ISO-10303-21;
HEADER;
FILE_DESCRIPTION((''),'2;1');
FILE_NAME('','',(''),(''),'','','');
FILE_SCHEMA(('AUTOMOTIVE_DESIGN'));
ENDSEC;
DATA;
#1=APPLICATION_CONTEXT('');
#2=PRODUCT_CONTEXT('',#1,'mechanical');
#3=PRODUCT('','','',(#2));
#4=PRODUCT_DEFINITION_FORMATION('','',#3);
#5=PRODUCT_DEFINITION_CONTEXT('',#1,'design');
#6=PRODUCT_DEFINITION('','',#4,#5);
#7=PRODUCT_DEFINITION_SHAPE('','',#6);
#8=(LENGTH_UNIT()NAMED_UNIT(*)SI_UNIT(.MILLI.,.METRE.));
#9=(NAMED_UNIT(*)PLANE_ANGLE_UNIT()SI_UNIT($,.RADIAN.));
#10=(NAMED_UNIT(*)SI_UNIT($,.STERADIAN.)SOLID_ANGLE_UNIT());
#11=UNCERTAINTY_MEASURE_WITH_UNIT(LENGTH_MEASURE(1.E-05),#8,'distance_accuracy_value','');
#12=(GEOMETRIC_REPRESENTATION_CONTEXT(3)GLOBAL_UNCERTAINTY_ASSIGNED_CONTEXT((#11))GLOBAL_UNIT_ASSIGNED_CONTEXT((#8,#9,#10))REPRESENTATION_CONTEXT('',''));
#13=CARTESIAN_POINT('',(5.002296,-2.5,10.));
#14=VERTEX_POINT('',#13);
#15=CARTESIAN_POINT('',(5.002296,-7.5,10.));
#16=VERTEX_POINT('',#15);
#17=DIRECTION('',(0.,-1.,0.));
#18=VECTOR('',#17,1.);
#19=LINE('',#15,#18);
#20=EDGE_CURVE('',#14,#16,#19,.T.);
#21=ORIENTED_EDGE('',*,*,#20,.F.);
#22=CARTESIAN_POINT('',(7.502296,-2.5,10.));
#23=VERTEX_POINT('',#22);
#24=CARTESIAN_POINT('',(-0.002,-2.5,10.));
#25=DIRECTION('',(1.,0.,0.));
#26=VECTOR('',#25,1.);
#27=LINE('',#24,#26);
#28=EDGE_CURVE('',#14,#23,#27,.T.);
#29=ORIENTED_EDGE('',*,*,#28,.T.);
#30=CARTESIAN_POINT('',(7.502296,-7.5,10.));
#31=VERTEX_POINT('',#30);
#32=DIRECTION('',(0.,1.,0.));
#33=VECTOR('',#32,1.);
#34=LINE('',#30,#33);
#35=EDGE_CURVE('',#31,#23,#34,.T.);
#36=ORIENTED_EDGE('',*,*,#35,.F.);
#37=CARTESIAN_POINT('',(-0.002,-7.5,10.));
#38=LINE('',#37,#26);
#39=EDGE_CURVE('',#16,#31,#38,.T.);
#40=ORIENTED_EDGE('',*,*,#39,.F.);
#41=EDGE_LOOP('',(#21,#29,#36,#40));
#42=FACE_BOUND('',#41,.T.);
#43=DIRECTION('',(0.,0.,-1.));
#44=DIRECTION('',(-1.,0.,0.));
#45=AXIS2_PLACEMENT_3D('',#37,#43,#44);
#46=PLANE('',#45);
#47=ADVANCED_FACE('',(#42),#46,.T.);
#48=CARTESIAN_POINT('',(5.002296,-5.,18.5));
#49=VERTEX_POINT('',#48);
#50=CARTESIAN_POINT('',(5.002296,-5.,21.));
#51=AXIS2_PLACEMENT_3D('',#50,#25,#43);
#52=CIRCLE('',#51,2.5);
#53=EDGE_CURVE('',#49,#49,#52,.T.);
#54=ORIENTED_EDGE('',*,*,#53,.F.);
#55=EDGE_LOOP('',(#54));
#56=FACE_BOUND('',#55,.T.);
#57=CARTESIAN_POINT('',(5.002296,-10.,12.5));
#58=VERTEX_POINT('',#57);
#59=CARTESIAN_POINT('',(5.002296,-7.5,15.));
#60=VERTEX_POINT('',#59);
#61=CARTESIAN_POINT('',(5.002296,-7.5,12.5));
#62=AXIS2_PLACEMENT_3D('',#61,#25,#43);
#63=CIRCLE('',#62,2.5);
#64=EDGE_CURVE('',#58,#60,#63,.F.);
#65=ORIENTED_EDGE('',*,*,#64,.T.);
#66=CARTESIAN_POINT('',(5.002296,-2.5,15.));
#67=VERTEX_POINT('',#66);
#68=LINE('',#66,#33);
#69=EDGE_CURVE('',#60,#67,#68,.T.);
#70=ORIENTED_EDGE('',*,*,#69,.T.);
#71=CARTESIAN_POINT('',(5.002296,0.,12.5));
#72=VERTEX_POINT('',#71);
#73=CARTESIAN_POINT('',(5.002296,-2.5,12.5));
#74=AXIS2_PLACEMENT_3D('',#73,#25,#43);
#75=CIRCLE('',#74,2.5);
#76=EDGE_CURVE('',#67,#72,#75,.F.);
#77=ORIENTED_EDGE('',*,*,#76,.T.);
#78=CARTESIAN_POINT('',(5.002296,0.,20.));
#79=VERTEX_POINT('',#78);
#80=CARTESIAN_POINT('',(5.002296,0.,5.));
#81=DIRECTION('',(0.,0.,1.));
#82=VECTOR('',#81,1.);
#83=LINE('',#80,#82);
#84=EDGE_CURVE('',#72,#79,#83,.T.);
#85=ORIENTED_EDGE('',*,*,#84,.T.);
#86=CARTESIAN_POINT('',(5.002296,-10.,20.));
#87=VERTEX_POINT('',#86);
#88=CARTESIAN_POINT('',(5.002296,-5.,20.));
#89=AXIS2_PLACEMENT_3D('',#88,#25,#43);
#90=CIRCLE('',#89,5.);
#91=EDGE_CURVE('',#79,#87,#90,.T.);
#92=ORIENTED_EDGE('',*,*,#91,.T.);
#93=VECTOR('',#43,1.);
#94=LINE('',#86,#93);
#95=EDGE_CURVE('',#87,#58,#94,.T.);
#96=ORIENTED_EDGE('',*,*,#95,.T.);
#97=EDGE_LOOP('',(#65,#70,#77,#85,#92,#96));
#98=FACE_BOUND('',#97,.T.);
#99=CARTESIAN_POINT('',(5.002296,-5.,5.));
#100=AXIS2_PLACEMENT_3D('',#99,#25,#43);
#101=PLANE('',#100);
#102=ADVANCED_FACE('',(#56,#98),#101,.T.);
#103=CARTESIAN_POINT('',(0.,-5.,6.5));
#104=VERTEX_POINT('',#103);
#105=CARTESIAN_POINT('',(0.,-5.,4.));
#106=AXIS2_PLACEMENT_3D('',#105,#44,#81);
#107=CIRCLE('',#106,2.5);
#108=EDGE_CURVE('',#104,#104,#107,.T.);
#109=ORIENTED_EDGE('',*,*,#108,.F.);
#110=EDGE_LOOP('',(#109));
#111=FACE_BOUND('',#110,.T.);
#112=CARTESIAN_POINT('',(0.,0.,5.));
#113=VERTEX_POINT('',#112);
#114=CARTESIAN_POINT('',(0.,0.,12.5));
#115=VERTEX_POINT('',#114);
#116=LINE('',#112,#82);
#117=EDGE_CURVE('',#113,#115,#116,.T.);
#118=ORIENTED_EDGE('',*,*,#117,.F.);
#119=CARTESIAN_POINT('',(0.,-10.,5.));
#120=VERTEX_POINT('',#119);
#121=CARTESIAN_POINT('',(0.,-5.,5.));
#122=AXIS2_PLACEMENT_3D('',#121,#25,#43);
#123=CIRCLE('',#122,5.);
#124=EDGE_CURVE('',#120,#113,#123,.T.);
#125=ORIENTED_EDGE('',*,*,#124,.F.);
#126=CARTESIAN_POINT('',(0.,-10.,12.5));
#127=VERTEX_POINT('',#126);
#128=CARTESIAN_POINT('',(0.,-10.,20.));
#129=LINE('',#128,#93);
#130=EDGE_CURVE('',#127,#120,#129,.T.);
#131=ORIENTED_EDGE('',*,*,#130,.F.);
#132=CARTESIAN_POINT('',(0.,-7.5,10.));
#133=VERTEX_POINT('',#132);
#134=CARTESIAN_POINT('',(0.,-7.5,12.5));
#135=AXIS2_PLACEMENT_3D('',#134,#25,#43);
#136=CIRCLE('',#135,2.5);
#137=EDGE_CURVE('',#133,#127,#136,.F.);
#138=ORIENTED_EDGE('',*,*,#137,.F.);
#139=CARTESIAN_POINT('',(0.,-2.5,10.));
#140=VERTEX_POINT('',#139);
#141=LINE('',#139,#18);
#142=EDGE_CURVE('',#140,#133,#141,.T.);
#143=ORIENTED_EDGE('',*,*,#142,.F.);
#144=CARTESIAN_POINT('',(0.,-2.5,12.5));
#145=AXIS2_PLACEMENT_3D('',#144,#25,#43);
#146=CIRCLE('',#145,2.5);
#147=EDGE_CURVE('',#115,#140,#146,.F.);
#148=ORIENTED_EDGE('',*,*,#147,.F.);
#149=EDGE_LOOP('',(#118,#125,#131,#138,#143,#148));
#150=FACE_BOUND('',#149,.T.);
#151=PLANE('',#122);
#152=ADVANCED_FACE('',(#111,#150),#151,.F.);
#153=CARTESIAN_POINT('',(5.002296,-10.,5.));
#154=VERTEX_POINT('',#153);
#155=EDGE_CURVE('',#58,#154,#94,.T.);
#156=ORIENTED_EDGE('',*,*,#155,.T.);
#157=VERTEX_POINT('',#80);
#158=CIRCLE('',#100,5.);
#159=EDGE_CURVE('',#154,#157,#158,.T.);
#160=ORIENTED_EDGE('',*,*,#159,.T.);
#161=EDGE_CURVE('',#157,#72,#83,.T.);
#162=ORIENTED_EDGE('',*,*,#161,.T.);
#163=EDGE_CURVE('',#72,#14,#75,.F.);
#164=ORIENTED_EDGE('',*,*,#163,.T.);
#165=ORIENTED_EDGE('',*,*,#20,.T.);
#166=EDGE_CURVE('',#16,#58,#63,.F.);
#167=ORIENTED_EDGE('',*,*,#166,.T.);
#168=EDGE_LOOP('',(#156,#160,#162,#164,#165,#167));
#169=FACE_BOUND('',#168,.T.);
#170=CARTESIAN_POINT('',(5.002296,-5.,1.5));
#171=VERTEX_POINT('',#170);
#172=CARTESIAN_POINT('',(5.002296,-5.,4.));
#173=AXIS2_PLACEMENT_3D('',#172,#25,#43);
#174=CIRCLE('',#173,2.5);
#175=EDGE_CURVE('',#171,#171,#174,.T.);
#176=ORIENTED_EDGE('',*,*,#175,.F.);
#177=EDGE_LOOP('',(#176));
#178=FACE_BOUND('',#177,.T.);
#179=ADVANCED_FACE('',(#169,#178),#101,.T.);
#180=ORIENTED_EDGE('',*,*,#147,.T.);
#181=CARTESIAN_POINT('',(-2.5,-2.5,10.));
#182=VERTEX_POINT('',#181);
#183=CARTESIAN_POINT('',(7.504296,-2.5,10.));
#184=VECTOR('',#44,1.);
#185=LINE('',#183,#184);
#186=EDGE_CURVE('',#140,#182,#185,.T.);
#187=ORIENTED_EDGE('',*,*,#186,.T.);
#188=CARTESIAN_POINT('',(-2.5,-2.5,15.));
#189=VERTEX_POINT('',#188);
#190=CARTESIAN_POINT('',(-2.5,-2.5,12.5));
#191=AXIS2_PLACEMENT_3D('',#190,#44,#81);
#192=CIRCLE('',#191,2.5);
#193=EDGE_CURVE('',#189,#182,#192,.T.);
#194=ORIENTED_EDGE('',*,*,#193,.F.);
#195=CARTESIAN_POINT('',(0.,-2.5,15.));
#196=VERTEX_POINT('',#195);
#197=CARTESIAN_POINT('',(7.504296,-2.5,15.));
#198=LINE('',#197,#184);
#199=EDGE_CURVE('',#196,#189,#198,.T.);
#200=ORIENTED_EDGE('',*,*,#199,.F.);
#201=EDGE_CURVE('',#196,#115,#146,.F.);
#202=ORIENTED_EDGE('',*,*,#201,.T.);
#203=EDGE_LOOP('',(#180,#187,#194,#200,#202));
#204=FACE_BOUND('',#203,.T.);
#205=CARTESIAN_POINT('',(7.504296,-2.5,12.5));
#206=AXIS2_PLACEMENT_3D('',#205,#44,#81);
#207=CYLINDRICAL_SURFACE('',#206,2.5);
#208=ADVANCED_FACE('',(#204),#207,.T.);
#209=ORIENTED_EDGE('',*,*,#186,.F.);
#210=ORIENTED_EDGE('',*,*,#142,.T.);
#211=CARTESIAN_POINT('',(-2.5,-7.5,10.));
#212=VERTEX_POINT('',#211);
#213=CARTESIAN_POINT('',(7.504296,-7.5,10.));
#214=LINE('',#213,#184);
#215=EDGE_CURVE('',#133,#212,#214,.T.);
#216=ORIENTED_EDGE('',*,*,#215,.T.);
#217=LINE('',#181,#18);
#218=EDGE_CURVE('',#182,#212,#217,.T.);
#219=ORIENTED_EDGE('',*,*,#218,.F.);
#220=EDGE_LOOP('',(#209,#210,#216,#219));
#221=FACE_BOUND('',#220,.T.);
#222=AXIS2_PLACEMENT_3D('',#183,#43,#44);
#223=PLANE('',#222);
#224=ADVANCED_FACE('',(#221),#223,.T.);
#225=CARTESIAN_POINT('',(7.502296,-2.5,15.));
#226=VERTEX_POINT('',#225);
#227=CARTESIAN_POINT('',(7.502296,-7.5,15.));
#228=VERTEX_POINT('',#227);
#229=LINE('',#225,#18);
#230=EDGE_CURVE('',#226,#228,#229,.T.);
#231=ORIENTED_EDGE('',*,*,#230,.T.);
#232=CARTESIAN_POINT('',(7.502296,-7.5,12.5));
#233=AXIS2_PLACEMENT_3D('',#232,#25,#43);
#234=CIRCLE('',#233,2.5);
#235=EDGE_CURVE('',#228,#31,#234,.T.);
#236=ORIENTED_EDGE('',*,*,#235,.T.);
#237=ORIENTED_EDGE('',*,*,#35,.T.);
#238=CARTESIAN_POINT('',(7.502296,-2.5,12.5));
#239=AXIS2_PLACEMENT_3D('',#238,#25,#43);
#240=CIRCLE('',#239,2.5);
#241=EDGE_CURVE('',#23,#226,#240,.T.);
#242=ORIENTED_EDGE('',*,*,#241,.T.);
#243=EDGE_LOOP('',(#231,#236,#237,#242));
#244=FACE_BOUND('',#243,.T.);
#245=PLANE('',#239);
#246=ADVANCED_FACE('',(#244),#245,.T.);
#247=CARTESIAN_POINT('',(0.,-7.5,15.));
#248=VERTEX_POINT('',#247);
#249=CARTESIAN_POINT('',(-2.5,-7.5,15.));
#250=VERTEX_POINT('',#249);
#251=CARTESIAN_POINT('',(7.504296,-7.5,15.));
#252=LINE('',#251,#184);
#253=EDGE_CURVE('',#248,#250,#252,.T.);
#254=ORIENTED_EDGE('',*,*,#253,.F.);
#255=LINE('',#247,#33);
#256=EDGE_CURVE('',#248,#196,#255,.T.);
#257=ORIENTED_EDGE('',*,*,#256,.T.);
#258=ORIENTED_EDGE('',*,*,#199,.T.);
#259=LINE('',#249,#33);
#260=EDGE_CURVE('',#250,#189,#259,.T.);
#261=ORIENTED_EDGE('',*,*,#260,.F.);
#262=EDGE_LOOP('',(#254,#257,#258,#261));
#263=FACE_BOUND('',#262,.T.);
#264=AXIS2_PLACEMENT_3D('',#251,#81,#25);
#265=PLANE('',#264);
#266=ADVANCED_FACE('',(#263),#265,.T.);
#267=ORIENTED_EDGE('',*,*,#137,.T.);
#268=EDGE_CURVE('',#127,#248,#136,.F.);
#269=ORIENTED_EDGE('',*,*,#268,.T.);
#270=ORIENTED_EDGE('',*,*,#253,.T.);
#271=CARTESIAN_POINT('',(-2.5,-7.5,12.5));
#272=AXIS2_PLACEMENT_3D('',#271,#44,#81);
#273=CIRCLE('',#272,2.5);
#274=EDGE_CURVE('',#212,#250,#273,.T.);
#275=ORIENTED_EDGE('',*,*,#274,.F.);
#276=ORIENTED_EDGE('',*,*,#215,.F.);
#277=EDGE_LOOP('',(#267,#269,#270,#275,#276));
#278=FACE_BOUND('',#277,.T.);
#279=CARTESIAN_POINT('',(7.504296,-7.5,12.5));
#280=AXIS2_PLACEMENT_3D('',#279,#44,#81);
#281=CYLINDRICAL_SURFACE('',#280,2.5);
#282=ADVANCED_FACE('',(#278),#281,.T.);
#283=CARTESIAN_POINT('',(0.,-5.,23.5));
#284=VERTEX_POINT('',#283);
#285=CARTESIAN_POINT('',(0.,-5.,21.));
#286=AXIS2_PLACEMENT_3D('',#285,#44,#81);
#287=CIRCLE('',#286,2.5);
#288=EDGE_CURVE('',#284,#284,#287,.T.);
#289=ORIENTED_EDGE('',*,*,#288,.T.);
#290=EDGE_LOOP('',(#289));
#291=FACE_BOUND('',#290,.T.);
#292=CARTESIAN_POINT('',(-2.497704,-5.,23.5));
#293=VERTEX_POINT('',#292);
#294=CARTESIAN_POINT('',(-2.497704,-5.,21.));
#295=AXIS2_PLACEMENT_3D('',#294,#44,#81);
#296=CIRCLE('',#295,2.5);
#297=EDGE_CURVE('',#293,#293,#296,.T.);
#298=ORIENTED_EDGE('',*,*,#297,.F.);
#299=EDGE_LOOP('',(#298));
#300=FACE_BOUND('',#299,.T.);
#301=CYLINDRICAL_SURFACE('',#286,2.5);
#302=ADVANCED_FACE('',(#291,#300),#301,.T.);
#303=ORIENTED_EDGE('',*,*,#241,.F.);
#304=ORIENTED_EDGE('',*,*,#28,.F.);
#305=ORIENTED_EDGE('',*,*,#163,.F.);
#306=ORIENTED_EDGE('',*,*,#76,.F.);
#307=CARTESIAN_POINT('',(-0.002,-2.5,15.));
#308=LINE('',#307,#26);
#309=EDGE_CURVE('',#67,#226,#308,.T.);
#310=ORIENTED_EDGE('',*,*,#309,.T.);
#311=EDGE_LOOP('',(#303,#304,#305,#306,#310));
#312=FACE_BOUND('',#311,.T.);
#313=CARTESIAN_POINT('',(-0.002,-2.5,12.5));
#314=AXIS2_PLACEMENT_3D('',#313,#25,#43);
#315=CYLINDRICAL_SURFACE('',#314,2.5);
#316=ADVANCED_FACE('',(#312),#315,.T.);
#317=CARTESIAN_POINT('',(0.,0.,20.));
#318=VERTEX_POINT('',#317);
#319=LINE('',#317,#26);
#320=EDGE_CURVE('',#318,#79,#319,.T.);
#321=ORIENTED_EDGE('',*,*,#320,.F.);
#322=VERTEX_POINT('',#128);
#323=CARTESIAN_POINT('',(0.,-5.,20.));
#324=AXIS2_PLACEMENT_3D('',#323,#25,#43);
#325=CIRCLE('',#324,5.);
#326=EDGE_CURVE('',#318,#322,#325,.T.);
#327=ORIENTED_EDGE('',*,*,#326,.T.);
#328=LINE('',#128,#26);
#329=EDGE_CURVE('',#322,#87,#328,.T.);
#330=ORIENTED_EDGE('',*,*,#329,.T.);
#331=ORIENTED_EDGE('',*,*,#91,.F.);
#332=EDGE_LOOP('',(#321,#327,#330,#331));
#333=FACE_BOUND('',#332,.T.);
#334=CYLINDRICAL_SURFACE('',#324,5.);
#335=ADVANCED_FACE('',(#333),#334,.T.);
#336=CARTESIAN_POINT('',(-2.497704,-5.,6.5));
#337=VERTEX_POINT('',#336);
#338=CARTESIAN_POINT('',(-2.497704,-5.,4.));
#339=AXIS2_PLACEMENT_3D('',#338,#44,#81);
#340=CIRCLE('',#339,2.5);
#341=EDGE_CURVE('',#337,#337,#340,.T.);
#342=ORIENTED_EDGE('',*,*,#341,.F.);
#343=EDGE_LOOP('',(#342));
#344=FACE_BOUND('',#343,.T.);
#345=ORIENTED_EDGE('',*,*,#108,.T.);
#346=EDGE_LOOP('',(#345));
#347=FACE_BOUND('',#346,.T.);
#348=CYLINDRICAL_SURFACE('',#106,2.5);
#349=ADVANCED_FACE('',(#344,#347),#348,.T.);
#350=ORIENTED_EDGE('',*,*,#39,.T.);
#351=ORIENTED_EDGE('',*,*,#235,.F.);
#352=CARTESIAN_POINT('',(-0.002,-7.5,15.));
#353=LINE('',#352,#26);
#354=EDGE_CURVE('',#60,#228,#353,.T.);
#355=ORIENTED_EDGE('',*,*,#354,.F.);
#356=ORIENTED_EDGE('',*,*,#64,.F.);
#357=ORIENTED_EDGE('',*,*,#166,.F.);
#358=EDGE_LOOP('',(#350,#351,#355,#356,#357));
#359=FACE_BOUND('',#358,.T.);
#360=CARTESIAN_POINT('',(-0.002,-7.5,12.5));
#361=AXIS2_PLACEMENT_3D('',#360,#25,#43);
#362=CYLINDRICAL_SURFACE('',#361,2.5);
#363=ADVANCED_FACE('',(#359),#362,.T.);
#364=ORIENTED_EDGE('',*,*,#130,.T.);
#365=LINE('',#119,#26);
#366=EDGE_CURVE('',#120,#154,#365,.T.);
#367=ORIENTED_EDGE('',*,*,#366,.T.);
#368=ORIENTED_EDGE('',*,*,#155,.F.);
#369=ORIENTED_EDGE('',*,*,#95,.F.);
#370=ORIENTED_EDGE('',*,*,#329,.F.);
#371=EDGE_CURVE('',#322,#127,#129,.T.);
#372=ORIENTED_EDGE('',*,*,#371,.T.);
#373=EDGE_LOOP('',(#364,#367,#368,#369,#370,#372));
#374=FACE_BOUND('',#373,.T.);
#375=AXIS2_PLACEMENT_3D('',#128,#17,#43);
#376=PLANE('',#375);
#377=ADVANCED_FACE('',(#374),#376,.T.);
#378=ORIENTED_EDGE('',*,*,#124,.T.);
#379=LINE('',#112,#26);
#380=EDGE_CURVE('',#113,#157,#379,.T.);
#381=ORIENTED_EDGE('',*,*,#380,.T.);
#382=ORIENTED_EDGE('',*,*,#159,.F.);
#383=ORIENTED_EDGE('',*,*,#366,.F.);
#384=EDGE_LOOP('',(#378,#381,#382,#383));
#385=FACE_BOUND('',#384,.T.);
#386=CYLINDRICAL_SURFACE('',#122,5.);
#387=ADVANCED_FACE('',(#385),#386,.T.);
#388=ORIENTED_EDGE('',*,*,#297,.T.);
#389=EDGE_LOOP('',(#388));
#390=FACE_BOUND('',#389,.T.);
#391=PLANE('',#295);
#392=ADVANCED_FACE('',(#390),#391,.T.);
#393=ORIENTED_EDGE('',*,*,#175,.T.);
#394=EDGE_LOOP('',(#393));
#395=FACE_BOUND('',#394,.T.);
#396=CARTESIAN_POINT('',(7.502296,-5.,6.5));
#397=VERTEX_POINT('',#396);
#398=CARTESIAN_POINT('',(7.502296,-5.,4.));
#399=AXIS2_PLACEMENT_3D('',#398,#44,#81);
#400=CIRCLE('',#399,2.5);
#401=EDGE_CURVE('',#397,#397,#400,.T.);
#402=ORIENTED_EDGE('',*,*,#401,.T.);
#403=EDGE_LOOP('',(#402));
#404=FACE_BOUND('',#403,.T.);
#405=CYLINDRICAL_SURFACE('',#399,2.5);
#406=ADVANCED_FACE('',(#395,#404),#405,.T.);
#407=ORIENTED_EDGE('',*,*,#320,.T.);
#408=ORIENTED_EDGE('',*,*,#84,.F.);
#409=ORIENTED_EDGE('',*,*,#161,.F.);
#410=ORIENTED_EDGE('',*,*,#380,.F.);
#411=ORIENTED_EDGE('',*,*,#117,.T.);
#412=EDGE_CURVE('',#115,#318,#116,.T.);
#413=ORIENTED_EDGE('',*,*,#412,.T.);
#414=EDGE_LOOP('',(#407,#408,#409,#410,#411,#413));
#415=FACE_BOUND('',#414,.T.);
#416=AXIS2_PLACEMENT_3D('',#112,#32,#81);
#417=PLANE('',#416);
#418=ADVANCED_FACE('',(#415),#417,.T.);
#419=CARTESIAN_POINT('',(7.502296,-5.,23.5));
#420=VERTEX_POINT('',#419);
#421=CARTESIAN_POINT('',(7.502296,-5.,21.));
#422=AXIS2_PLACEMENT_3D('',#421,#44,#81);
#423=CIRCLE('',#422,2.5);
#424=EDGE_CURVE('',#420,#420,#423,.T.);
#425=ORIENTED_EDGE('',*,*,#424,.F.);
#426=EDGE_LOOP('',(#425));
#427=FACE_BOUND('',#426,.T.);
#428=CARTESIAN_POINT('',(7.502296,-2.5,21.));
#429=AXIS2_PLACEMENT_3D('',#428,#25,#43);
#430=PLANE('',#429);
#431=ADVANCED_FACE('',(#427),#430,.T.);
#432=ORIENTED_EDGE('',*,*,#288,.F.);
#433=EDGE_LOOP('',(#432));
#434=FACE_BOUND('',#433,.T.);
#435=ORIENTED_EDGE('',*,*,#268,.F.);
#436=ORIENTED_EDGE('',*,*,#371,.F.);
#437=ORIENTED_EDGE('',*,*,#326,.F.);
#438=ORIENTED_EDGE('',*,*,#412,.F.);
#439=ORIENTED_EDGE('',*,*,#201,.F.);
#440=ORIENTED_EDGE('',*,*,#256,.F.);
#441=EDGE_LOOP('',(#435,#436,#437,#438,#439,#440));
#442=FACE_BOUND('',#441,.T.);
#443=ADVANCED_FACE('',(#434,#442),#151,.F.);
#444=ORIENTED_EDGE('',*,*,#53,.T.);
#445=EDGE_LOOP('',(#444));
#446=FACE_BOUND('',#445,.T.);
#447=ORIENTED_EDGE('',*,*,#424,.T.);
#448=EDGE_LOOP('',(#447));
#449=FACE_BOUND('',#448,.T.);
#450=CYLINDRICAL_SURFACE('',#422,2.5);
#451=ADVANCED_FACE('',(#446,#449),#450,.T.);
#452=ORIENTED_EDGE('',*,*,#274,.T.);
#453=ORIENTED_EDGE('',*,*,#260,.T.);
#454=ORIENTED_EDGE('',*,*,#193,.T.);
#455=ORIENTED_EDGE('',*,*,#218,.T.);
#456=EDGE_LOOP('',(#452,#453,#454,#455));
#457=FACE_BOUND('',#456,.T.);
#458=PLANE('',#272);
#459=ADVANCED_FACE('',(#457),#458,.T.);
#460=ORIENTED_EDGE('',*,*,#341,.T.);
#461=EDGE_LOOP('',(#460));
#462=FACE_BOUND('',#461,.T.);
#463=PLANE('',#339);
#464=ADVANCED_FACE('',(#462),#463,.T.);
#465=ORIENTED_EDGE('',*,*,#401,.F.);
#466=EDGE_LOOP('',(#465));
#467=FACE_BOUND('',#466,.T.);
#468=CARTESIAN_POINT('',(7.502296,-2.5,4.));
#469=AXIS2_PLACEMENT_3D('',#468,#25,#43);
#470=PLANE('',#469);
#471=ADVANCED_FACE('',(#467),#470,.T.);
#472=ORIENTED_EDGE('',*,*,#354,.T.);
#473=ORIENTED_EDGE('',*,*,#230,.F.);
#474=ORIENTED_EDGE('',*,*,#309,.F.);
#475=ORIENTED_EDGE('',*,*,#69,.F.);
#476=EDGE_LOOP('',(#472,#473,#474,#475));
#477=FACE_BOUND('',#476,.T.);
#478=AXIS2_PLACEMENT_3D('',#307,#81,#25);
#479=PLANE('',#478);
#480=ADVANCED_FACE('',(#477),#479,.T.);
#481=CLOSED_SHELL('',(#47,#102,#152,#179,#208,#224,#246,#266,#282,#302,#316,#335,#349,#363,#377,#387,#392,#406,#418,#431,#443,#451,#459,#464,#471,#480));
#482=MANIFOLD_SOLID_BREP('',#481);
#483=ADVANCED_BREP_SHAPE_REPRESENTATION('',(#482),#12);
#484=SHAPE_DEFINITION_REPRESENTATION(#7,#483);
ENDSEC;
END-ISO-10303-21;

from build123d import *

# Parameters (mm, degrees)
BOSS_EXTRUDE1_DEPTH = 5.002296298
BOSS_EXTRUDE2_REACH = 29.951
BOSS_EXTRUDE3_REACH = 30.724
SKETCH4_W           = 2.497703702
SKETCH4_H           = 2.5
SKETCH5_W           = 2.5
SKETCH5_H           = 2.5
SKETCH6_W           = 2.5
SKETCH6_H           = 2.5
SKETCH7_W           = 2.497703702
SKETCH7_H           = 2.5


with BuildPart() as part:
    # Sketch1 → Boss-Extrude1 (new body)
    with BuildSketch(Plane(origin=(5.002296298, 0, 0), x_dir=(0, 0, -1), z_dir=(1, 0, 0))):
        with BuildLine():
            Line((-5, 0), (-20, 0))
            ThreePointArc((-20, 0), (-25, -5), (-20, -10))
            Line((-20, -10), (-5, -10))
            ThreePointArc((-5, -10), (0, -5), (-5, 0))
        make_face()
    extrude(amount=-BOSS_EXTRUDE1_DEPTH)

    # Sketch2 → Boss-Extrude2 (add, up to next)
    with BuildSketch(Plane(origin=(7.502296298, 0, 0), x_dir=(0, 0, -1), z_dir=(1, 0, 0)), mode=Mode.PRIVATE) as boss_extrude2_sk1:
        with BuildLine():
            Line((-15, -2.5), (-15, -7.5))
            ThreePointArc((-15, -7.5), (-12.5, -10), (-10, -7.5))
            Line((-10, -7.5), (-10, -2.5))
            ThreePointArc((-10, -2.5), (-12.5, 0), (-15, -2.5))
        make_face()
    boss_extrude2_tool1 = extrude(boss_extrude2_sk1.sketch, amount=-BOSS_EXTRUDE2_REACH, mode=Mode.PRIVATE) - part.part
    add(boss_extrude2_tool1.solids().sort_by_distance((7.502296, -5, 12.5))[0])

    # Sketch3 → Boss-Extrude3 (add, up to next)
    with BuildSketch(Plane(origin=(-2.5, 0, 0), x_dir=(0, -1, 0), z_dir=(-1, 0, 0)), mode=Mode.PRIVATE) as boss_extrude3_sk1:
        with BuildLine():
            Line((7.5, 15), (2.5, 15))
            ThreePointArc((2.5, 15), (0, 12.5), (2.5, 10))
            Line((2.5, 10), (7.5, 10))
            ThreePointArc((7.5, 10), (10, 12.5), (7.5, 15))
        make_face()
    boss_extrude3_tool1 = extrude(boss_extrude3_sk1.sketch, amount=-BOSS_EXTRUDE3_REACH, mode=Mode.PRIVATE) - part.part
    add(boss_extrude3_tool1.solids().sort_by_distance((-2.5, -5, 12.5))[0])

    # Sketch4 → Revolve1 (revolve)
    with BuildSketch(Plane(origin=(0, 0, 4), x_dir=(-1, 0, 0), z_dir=(0, 0, -1)), mode=Mode.PRIVATE) as revolve1_sk:
        with Locations((1.248851851, -3.75)):
            Rectangle(SKETCH4_W, SKETCH4_H)
    revolve(revolve1_sk.sketch.rotate(Axis((0, -5, 4), (-1, 0, 0)), 270), axis=Axis((0, -5, 4), (-1, 0, 0)))

    # Sketch5 → Revolve2 (revolve)
    with BuildSketch(Plane(origin=(0, 0, 4), x_dir=(-1, 0, 0), z_dir=(0, 0, -1)), mode=Mode.PRIVATE) as revolve2_sk:
        with Locations((-6.252296298, -3.75)):
            Rectangle(SKETCH5_W, SKETCH5_H)
    revolve(revolve2_sk.sketch.rotate(Axis((7.502296298, -5, 4), (-1, 0, 0)), 270), axis=Axis((7.502296298, -5, 4), (-1, 0, 0)))

    # Sketch6 → Revolve3 (revolve)
    with BuildSketch(Plane(origin=(0, 0, 21), x_dir=(-1, 0, 0), z_dir=(0, 0, -1)), mode=Mode.PRIVATE) as revolve3_sk:
        with Locations((-6.252296298, -3.75)):
            Rectangle(SKETCH6_W, SKETCH6_H)
    revolve(revolve3_sk.sketch.rotate(Axis((7.502296298, -5, 21), (-1, 0, 0)), 270), axis=Axis((7.502296298, -5, 21), (-1, 0, 0)))

    # Sketch7 → Revolve4 (revolve)
    with BuildSketch(Plane(origin=(0, 0, 21), x_dir=(-1, 0, 0), z_dir=(0, 0, -1)), mode=Mode.PRIVATE) as revolve4_sk:
        with Locations((1.248851851, -3.75)):
            Rectangle(SKETCH7_W, SKETCH7_H)
    revolve(revolve4_sk.sketch.rotate(Axis((0, -5, 21), (-1, 0, 0)), 270), axis=Axis((0, -5, 21), (-1, 0, 0)))


solid = part.part
